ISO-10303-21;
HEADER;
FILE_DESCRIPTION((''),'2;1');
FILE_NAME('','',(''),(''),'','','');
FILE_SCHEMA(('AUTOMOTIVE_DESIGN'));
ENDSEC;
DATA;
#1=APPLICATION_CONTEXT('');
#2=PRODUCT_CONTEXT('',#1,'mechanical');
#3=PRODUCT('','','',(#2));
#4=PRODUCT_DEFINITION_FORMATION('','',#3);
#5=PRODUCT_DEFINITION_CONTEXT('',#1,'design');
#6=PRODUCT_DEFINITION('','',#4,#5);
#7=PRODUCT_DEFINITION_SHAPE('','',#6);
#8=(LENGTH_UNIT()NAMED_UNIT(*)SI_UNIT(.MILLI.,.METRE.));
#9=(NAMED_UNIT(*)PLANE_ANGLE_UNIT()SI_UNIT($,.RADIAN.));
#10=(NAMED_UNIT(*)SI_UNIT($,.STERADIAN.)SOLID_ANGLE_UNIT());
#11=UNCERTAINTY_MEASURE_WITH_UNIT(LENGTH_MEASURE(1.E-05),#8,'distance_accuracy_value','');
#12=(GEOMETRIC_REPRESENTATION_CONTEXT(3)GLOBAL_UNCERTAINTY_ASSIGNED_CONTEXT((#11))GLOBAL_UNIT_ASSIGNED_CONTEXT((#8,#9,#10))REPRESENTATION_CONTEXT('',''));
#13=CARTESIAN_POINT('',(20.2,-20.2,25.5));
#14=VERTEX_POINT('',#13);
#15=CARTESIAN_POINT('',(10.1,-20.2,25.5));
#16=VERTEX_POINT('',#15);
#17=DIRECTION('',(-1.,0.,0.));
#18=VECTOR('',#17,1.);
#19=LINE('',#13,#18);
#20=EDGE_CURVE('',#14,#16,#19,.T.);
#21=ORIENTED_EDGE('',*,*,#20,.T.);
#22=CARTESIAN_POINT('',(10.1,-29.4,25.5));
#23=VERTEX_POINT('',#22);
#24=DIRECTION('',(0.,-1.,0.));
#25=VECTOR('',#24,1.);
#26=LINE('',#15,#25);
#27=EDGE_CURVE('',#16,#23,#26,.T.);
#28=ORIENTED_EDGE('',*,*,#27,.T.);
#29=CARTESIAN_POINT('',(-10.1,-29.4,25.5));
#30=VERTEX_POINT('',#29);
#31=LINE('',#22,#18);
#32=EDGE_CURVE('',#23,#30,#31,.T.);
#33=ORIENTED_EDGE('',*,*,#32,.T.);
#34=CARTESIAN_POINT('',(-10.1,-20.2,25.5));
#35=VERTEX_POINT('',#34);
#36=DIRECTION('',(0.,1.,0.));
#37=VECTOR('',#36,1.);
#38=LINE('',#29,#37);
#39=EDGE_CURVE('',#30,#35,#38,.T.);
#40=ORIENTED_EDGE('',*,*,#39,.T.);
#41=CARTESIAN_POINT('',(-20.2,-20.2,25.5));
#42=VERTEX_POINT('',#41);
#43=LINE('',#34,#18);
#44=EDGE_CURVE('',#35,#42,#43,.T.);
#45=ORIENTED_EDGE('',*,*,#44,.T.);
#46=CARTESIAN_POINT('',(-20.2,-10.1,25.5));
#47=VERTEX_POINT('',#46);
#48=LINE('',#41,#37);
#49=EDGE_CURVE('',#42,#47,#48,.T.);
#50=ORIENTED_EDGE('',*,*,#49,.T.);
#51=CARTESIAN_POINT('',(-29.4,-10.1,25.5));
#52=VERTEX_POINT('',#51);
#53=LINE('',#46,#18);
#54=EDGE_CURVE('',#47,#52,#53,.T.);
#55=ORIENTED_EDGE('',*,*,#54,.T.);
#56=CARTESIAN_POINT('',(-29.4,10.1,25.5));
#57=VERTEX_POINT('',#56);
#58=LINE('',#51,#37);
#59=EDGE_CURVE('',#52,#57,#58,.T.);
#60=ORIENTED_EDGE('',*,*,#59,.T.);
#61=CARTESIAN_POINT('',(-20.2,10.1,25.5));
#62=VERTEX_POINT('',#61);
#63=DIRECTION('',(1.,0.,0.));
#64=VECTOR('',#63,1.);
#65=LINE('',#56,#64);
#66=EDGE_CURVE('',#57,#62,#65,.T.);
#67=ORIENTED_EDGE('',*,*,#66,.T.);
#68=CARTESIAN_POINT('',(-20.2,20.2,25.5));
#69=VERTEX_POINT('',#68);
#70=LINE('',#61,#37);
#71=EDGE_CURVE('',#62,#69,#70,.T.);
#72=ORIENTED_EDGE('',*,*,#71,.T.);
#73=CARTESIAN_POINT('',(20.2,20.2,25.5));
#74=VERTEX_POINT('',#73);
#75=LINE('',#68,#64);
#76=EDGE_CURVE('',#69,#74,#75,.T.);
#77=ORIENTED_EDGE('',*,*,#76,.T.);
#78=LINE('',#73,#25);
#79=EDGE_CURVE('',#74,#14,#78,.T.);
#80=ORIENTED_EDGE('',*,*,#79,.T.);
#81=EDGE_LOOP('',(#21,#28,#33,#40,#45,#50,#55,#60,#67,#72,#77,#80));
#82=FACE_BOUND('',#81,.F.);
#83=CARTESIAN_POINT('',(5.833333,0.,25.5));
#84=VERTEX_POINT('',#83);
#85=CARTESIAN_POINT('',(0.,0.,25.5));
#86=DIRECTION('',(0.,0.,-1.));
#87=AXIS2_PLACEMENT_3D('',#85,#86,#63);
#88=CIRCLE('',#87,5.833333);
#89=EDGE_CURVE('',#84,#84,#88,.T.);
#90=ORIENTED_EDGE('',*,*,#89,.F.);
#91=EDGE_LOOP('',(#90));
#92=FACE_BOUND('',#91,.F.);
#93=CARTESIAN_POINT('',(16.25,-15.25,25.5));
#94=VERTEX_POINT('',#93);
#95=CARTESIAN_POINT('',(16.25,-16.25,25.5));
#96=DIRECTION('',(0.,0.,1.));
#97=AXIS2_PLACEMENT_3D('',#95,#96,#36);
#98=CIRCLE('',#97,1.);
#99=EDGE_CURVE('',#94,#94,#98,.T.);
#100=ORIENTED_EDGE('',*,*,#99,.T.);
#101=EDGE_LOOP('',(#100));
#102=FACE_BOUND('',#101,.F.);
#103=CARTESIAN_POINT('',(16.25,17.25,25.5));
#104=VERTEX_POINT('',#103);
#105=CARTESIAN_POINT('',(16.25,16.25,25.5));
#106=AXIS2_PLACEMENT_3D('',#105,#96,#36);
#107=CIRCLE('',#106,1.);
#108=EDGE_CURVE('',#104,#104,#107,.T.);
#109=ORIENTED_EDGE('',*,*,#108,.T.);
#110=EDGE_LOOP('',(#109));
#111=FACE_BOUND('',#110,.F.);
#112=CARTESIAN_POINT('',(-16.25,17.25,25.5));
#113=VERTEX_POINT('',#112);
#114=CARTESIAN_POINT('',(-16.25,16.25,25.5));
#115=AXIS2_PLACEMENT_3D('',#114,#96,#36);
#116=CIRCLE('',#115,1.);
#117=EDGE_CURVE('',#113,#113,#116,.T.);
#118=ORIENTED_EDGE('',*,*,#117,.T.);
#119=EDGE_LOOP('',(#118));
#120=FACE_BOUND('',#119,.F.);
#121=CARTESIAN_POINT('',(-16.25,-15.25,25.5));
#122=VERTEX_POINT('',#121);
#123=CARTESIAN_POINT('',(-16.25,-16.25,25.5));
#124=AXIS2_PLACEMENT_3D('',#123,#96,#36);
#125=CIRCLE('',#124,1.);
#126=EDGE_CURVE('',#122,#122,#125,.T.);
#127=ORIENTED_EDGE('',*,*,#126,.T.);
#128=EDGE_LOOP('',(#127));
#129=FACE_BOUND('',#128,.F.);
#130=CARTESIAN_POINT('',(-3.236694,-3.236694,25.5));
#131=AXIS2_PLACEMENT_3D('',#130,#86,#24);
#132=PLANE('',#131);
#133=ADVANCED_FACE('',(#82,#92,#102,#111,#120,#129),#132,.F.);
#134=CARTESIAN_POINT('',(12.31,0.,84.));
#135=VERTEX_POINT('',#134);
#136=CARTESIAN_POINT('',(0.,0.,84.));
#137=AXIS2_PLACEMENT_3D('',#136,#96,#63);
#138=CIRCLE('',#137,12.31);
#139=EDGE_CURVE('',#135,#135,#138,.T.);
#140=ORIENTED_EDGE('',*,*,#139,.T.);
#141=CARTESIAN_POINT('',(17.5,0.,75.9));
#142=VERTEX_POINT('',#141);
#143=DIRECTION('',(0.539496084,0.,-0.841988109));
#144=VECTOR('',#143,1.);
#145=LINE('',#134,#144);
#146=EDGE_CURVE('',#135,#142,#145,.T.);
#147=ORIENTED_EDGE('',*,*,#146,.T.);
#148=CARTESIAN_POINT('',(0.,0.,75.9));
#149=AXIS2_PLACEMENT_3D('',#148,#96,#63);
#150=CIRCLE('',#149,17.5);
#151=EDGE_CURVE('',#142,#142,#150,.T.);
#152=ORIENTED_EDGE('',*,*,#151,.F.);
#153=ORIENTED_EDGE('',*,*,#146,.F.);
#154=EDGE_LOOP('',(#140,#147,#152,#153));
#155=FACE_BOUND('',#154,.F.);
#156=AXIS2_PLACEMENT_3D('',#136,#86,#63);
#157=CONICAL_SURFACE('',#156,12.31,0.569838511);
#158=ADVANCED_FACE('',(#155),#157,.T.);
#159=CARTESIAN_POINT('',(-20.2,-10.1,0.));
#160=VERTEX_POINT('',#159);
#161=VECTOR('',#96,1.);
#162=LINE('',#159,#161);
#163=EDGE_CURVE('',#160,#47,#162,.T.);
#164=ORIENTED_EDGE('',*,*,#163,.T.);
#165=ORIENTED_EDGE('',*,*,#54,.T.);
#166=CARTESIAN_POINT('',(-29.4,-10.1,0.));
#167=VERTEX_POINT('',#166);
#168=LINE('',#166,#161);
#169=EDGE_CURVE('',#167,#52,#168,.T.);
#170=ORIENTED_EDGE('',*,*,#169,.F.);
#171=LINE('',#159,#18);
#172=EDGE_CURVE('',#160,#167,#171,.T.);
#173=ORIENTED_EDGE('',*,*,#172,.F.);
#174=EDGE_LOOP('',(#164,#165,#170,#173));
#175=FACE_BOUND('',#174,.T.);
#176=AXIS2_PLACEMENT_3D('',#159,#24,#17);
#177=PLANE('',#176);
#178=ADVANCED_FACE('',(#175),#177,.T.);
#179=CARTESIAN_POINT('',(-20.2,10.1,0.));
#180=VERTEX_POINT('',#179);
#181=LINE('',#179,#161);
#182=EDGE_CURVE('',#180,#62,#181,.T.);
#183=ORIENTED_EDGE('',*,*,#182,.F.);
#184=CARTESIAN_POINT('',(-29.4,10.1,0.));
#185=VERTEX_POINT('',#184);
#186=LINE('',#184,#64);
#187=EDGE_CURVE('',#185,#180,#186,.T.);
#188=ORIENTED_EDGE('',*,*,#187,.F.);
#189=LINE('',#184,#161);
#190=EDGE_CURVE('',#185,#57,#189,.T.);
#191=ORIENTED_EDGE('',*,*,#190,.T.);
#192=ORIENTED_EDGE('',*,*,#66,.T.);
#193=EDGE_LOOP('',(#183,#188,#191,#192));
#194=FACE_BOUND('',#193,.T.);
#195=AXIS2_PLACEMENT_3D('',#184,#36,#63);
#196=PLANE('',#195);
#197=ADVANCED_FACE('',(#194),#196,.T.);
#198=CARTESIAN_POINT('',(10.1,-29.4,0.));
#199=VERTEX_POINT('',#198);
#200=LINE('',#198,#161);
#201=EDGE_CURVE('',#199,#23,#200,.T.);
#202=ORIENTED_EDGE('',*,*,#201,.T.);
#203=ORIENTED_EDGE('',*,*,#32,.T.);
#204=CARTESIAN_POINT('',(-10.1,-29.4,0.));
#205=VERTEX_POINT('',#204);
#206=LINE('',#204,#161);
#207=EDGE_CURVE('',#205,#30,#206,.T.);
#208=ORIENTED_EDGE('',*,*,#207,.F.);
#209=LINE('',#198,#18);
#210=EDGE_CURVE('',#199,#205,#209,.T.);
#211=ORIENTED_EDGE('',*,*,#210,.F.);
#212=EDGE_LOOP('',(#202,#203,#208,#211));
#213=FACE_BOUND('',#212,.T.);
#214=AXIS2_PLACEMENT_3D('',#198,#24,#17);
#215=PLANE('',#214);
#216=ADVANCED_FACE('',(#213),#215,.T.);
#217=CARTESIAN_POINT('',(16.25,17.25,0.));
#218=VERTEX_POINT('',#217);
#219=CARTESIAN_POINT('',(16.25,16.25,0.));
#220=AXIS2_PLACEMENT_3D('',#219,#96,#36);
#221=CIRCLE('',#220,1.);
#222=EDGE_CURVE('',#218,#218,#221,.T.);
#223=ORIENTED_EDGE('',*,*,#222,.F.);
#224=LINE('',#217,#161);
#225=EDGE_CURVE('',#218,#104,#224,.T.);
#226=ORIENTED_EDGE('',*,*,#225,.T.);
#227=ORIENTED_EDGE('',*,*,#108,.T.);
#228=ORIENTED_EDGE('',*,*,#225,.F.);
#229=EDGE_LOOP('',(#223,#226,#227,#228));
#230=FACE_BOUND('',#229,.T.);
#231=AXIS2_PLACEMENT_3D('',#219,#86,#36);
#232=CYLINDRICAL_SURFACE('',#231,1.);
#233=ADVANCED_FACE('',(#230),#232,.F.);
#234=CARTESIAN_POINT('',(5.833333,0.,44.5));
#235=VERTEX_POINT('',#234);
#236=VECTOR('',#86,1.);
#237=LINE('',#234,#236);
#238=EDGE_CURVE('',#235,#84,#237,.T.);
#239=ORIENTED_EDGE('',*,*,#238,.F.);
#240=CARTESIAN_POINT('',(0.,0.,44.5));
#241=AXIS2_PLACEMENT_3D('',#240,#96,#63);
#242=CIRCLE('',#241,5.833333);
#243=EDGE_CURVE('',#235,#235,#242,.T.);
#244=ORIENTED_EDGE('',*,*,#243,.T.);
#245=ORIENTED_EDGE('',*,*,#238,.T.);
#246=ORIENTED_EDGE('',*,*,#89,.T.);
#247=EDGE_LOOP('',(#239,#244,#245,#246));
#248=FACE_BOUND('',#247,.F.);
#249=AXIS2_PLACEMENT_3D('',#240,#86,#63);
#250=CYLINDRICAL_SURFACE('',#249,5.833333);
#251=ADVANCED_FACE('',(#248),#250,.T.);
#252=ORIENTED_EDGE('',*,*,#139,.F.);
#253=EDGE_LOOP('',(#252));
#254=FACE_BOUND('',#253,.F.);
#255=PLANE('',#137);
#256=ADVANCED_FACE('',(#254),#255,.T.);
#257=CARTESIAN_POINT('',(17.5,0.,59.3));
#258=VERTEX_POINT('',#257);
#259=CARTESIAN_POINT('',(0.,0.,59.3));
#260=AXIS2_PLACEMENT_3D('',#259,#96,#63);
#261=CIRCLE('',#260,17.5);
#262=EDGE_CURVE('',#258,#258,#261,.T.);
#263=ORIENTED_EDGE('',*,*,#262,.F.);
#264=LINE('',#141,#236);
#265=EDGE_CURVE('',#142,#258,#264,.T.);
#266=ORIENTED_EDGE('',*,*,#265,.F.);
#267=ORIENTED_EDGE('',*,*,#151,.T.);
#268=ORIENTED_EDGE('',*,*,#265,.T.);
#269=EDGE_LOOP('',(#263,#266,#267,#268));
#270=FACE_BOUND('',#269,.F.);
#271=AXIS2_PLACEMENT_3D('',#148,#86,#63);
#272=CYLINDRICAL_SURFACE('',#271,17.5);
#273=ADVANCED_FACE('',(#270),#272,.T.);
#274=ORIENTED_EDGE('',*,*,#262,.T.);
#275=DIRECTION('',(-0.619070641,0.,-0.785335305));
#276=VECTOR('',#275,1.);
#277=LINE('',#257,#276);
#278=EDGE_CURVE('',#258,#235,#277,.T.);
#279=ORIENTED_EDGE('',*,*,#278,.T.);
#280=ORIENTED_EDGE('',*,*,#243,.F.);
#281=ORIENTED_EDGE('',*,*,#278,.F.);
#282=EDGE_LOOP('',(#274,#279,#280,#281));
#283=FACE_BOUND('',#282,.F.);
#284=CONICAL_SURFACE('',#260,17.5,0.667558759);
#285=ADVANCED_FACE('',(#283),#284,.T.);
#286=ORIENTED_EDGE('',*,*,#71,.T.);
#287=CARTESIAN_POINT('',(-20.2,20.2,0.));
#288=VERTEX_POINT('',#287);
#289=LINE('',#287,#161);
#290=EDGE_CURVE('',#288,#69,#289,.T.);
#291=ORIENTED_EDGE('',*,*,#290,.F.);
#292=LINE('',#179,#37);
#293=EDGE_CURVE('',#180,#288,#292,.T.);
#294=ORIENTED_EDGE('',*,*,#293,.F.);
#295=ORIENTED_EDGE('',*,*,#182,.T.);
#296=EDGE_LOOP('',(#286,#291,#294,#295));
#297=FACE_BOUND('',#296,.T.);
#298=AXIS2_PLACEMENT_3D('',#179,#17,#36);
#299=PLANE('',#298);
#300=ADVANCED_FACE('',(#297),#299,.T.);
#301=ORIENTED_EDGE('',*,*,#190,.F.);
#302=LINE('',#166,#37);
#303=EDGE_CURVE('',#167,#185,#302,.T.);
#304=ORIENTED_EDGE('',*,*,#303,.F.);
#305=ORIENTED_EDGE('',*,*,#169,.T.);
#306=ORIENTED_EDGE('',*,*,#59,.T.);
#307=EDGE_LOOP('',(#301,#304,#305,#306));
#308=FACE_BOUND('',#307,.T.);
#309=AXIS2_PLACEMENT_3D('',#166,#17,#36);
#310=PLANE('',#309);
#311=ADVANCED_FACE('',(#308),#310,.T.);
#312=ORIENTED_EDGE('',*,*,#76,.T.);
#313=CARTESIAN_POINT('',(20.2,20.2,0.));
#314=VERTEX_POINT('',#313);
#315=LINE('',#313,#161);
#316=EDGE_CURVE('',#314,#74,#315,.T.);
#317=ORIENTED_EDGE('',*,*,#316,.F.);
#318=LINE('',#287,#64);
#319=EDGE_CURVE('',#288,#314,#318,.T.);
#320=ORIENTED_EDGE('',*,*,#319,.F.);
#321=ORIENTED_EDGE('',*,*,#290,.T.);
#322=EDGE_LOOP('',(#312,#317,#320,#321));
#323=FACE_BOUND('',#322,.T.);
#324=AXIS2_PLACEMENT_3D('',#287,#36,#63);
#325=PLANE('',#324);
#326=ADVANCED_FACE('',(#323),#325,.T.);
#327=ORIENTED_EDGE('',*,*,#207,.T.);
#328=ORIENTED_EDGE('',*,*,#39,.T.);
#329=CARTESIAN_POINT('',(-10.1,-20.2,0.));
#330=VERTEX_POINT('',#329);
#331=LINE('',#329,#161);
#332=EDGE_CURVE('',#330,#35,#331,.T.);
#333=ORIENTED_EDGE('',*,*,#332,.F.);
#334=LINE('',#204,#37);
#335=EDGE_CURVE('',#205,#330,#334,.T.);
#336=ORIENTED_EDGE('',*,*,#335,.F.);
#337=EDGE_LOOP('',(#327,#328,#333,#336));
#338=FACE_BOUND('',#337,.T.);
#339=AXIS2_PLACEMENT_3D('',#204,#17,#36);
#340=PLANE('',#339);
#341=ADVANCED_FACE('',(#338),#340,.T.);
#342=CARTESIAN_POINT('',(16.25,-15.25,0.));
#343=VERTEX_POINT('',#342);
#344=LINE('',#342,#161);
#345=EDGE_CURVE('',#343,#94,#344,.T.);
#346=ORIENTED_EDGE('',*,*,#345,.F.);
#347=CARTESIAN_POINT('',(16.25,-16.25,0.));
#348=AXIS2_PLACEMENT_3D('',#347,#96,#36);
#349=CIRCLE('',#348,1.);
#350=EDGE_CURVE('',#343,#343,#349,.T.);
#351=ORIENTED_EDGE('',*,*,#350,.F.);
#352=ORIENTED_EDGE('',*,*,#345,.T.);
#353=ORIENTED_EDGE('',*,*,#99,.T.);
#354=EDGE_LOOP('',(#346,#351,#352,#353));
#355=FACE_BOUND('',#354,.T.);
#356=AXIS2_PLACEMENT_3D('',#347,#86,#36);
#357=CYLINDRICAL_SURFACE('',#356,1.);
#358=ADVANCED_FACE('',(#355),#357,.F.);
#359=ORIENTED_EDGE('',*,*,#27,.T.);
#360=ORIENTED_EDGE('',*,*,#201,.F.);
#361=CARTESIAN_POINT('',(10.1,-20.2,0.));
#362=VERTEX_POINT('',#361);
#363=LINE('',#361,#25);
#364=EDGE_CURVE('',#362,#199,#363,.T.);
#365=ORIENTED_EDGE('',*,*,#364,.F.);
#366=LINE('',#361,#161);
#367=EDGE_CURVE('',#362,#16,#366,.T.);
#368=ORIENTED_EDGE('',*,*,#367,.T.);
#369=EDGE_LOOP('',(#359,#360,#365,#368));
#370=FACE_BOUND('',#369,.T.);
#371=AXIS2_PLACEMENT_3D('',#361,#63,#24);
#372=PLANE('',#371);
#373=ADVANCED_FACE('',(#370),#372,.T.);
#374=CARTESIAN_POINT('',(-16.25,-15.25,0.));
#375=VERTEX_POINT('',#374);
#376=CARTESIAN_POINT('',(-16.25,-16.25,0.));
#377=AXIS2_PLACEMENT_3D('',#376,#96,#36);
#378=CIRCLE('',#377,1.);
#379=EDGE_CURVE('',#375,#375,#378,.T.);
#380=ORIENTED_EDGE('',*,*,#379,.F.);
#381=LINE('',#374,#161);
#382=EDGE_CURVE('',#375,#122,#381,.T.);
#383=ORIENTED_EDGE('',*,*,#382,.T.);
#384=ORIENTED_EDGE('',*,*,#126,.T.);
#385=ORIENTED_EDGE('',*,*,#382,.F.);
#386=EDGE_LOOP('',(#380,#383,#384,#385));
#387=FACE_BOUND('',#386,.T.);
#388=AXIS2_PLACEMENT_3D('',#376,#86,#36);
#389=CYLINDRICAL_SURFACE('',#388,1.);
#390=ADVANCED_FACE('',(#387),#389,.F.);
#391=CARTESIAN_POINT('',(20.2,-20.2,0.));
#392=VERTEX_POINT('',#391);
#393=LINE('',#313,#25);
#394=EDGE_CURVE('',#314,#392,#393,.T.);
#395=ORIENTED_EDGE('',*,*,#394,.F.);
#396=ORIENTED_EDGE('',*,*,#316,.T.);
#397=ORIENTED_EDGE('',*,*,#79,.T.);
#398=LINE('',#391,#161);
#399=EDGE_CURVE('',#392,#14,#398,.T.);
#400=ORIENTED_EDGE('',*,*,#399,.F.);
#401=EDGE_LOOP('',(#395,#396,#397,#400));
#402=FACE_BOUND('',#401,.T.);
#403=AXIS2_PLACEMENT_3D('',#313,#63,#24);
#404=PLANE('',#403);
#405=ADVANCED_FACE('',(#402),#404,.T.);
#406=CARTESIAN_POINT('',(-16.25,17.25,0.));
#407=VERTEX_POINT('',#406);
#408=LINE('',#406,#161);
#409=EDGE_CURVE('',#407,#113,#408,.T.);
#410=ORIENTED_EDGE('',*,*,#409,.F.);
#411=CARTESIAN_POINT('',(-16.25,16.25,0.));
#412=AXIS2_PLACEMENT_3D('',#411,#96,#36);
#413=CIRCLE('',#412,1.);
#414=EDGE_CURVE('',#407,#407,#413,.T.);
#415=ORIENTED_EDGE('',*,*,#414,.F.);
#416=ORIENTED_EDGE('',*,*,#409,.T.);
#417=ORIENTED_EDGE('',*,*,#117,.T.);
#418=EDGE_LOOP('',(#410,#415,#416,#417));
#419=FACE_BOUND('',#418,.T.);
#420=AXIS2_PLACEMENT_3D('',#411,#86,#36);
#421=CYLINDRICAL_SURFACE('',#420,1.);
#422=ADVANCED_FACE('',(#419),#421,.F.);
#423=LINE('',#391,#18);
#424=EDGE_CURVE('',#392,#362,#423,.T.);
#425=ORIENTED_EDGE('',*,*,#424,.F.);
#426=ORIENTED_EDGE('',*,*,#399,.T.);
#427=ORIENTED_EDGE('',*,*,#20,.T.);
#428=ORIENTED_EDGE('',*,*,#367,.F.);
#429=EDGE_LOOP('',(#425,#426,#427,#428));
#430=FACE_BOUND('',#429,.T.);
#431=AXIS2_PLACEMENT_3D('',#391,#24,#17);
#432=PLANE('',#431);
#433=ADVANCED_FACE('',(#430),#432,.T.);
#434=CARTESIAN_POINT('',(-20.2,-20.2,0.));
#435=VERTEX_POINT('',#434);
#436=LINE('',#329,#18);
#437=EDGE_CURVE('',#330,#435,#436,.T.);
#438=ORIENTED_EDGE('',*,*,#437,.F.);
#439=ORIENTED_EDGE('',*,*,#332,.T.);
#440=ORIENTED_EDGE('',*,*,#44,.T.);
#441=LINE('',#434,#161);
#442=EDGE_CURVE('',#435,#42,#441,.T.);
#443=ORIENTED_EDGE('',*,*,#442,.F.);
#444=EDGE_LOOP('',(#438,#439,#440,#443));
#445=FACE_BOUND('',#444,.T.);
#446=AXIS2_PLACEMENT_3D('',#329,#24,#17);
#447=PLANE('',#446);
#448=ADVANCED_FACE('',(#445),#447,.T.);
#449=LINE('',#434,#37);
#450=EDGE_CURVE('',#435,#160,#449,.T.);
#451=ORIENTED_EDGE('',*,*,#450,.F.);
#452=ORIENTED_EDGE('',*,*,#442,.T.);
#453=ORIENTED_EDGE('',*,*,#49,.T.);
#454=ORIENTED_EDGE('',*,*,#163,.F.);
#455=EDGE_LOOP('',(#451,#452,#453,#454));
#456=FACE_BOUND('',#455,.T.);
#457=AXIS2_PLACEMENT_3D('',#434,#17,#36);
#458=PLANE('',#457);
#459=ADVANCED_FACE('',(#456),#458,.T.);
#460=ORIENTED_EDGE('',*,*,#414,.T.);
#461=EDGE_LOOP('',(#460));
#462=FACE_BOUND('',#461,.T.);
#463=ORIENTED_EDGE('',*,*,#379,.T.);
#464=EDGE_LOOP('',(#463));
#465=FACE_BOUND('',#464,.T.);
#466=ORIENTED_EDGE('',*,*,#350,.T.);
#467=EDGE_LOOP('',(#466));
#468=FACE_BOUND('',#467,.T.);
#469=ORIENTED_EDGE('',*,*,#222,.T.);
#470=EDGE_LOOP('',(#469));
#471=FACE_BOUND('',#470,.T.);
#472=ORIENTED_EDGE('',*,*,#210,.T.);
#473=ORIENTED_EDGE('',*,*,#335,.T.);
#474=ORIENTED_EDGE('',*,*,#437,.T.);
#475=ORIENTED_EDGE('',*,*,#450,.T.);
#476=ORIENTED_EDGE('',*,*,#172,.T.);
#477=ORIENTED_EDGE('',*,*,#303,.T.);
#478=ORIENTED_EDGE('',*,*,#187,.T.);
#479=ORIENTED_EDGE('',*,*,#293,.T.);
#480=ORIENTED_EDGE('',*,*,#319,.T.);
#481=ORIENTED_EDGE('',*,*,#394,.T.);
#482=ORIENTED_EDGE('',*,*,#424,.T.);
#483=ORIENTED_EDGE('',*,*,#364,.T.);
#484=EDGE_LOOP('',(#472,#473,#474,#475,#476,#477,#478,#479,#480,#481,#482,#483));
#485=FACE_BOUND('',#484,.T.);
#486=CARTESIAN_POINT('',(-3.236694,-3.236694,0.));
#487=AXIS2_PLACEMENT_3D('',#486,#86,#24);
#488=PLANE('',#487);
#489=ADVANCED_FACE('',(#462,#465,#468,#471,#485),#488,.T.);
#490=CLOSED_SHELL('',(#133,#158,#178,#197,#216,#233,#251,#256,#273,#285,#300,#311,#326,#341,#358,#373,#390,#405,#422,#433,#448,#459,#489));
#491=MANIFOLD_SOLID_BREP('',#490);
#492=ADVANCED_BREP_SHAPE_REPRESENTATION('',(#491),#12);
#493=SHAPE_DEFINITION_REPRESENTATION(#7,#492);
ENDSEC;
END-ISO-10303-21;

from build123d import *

# Parameters (mm, degrees)
SKETCH003_R  = 1
PAD001_DEPTH = 25.5


with BuildPart() as part:
    # Sketch003 → Pad001 (new body)
    with BuildSketch(Plane(origin=(0, 0, 0), x_dir=(0, 1, 0), z_dir=(0, 0, 1))):
        Polygon((20.2, 20.2), (20.2, -20.2), (-20.2, -20.2), (-20.2, -10.1), (-29.4, -10.1), (-29.4, 10.1), (-20.2, 10.1), (-20.2, 20.2), (-10.1, 20.2), (-10.1, 29.4), (10.1, 29.4), (10.1, 20.2), align=None)
        with Locations((-16.25, 16.25)):
            Circle(SKETCH003_R, mode=Mode.SUBTRACT)
        with Locations((16.25, 16.25)):
            Circle(SKETCH003_R, mode=Mode.SUBTRACT)
        with Locations((16.25, -16.25)):
            Circle(SKETCH003_R, mode=Mode.SUBTRACT)
        with Locations((-16.25, -16.25)):
            Circle(SKETCH003_R, mode=Mode.SUBTRACT)
    extrude(amount=PAD001_DEPTH)

    # Sketch004 → Revolution (revolve)
    with BuildSketch(Plane.XZ):
        Polygon((0, 84), (12.31, 84), (17.5, 75.9), (17.5, 59.3), (5.833333, 44.5), (5.833333, 12.75), (0, 12.75), align=None)
    revolve(axis=Axis((0, 0, 0), (0, 0, 1)))


solid = part.part
